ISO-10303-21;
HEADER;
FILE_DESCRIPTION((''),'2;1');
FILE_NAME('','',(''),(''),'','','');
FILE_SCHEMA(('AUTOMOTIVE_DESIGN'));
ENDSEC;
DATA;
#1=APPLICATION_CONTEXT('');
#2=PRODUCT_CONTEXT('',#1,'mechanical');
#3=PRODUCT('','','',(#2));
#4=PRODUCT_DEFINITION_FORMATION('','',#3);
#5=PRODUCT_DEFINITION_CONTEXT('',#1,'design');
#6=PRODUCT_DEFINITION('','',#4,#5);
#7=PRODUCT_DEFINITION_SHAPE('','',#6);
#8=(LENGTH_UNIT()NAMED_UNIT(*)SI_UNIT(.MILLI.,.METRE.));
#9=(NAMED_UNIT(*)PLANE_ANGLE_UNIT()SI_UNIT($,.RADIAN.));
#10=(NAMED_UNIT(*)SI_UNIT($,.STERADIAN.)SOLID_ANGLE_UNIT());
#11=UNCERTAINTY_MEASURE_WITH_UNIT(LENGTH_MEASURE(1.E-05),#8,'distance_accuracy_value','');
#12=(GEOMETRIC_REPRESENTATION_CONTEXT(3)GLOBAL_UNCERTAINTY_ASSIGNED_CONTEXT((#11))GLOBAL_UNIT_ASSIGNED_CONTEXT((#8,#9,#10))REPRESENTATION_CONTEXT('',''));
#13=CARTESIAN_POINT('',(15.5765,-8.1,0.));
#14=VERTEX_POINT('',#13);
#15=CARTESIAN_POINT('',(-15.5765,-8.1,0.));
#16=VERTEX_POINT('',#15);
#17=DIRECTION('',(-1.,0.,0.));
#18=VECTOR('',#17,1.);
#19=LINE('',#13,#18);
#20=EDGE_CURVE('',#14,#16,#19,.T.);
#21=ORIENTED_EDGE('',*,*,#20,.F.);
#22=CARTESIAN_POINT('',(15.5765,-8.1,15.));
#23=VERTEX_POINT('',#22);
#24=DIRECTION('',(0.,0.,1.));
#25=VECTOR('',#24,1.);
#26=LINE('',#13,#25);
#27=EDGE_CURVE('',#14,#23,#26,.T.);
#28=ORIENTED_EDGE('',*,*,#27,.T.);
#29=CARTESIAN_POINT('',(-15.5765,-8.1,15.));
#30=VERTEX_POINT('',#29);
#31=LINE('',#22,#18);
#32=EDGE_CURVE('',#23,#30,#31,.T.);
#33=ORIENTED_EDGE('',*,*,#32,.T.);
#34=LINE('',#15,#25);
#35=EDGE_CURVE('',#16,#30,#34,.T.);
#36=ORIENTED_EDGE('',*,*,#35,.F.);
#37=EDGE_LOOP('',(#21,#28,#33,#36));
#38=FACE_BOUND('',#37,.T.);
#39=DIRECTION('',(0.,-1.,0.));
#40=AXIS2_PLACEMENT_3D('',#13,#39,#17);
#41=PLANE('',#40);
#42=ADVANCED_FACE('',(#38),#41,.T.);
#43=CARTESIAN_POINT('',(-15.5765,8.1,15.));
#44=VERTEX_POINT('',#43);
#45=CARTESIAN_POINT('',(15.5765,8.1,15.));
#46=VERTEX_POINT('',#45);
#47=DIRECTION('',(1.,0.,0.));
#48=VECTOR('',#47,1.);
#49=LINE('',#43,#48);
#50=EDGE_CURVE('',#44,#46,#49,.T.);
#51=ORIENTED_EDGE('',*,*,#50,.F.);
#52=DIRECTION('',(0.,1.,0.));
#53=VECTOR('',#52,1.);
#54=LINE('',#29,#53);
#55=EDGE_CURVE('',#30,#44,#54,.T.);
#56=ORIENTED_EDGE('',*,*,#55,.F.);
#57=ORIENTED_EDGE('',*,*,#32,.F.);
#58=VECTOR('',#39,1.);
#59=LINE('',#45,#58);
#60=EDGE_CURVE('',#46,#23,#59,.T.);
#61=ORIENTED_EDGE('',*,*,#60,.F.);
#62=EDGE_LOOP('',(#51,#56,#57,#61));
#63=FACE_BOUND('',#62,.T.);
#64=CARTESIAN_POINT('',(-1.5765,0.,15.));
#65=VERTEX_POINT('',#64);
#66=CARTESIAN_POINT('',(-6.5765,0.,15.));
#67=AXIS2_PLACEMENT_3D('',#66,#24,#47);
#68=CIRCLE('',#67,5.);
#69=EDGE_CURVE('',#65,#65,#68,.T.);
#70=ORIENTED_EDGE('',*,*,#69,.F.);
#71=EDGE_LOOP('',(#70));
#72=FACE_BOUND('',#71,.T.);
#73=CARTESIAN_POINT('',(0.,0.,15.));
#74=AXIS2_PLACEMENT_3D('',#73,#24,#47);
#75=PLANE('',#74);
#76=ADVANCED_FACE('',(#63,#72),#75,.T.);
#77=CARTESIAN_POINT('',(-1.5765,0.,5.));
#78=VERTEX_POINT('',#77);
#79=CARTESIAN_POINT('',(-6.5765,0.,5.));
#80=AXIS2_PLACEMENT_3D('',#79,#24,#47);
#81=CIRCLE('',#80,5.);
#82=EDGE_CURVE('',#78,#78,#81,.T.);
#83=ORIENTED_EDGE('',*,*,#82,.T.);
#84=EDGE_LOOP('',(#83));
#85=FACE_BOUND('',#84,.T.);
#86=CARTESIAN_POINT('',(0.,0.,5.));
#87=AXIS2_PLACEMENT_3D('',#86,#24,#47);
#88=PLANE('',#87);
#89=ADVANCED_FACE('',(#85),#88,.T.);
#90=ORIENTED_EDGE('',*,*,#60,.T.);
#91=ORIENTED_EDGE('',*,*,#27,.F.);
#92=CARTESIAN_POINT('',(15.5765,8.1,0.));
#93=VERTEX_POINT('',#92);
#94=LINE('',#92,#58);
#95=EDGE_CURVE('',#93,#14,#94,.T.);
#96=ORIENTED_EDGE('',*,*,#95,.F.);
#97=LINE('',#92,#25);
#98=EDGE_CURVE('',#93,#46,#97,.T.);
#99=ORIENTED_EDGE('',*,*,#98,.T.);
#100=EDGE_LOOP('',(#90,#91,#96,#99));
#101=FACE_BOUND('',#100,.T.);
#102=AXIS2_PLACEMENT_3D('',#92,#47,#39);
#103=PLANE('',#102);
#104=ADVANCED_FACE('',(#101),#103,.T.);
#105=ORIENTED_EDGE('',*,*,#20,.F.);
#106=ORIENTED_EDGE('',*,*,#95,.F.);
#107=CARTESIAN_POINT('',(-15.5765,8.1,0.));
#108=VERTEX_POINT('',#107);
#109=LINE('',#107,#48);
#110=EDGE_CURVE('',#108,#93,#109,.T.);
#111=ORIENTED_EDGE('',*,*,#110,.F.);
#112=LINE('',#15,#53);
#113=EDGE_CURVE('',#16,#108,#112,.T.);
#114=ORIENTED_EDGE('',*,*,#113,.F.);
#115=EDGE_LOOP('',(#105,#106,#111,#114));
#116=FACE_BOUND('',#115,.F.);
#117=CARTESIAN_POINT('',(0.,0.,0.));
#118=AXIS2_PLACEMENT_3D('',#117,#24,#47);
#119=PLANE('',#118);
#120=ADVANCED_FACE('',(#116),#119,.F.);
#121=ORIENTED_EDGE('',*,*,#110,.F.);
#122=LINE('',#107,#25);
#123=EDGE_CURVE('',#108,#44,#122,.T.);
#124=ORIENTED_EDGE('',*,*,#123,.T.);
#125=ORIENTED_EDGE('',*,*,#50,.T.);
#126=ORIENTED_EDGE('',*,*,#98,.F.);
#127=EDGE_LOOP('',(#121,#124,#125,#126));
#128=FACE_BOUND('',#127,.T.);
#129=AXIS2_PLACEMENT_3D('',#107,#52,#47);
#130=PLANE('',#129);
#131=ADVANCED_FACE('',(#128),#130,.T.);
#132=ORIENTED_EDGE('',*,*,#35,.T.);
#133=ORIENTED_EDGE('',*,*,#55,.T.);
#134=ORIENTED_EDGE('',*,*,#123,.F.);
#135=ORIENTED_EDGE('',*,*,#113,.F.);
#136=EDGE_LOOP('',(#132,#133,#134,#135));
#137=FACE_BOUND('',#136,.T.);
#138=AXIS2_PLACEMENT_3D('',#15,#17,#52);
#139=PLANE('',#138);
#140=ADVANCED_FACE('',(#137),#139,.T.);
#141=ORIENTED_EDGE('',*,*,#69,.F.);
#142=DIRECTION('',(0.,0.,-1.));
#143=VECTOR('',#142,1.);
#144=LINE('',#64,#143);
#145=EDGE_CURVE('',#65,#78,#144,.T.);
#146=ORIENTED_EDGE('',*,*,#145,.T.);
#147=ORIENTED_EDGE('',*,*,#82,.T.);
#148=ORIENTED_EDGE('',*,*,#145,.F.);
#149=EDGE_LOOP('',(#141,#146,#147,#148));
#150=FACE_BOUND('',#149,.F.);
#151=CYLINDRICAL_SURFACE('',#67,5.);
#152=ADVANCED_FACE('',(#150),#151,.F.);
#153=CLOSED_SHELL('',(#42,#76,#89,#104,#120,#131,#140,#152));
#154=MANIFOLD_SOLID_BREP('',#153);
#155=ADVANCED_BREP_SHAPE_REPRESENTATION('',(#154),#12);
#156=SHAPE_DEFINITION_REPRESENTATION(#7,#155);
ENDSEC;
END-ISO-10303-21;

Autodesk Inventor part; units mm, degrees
ref_plane "YZ Plane" through (0, 0, 0) normal (1, 0, 0) x (0, 1, 0)
ref_plane "XZ Plane" through (0, 0, 0) normal (0, 1, 0) x (-1, 0, 0)
ref_plane "XY Plane" through (0, 0, 0) normal (0, 0, 1) x (1, 0, 0)
sketch "Sketch1" plane through (0, 0, 0) normal (0, 0, 1) x (1, 0, 0)
  line L0 (-15.5765, 8.1) -> (15.5765, 8.1)
  line L1 (15.5765, 8.1) -> (15.5765, -8.1)
  line L2 (15.5765, -8.1) -> (-15.5765, -8.1)
  line L3 (-15.5765, -8.1) -> (-15.5765, 8.1)
  line L4 (0, 11.34) -> (0, -11.34) construction
  line L5 (-21.8071, 0) -> (21.8071, 0) construction
  point P0 (0, 0)
  dimension "d0" = 31.153
  dimension "d1" = 16.2
extrude "Extrusion1" add sketch "Sketch1" along normal blind 15
sketch "Sketch2" plane through (0, 0, 15) normal (0, 0, 1) x (1, 0, 0)
  line L0 (-15.5765, 8.1) -> (-15.5765, -8.1) projected
  circle A0 centre (-6.5765, 0) radius 5
  line L1 (-21.8071, 0) -> (21.8071, 0) construction
  point P0 (0, 0)
  dimension "d5" = 10
  dimension "d6" = 9
extrude "Extrusion2" cut sketch "Sketch2" against normal blind 10
properties part number "supporto_guide_10Z"
